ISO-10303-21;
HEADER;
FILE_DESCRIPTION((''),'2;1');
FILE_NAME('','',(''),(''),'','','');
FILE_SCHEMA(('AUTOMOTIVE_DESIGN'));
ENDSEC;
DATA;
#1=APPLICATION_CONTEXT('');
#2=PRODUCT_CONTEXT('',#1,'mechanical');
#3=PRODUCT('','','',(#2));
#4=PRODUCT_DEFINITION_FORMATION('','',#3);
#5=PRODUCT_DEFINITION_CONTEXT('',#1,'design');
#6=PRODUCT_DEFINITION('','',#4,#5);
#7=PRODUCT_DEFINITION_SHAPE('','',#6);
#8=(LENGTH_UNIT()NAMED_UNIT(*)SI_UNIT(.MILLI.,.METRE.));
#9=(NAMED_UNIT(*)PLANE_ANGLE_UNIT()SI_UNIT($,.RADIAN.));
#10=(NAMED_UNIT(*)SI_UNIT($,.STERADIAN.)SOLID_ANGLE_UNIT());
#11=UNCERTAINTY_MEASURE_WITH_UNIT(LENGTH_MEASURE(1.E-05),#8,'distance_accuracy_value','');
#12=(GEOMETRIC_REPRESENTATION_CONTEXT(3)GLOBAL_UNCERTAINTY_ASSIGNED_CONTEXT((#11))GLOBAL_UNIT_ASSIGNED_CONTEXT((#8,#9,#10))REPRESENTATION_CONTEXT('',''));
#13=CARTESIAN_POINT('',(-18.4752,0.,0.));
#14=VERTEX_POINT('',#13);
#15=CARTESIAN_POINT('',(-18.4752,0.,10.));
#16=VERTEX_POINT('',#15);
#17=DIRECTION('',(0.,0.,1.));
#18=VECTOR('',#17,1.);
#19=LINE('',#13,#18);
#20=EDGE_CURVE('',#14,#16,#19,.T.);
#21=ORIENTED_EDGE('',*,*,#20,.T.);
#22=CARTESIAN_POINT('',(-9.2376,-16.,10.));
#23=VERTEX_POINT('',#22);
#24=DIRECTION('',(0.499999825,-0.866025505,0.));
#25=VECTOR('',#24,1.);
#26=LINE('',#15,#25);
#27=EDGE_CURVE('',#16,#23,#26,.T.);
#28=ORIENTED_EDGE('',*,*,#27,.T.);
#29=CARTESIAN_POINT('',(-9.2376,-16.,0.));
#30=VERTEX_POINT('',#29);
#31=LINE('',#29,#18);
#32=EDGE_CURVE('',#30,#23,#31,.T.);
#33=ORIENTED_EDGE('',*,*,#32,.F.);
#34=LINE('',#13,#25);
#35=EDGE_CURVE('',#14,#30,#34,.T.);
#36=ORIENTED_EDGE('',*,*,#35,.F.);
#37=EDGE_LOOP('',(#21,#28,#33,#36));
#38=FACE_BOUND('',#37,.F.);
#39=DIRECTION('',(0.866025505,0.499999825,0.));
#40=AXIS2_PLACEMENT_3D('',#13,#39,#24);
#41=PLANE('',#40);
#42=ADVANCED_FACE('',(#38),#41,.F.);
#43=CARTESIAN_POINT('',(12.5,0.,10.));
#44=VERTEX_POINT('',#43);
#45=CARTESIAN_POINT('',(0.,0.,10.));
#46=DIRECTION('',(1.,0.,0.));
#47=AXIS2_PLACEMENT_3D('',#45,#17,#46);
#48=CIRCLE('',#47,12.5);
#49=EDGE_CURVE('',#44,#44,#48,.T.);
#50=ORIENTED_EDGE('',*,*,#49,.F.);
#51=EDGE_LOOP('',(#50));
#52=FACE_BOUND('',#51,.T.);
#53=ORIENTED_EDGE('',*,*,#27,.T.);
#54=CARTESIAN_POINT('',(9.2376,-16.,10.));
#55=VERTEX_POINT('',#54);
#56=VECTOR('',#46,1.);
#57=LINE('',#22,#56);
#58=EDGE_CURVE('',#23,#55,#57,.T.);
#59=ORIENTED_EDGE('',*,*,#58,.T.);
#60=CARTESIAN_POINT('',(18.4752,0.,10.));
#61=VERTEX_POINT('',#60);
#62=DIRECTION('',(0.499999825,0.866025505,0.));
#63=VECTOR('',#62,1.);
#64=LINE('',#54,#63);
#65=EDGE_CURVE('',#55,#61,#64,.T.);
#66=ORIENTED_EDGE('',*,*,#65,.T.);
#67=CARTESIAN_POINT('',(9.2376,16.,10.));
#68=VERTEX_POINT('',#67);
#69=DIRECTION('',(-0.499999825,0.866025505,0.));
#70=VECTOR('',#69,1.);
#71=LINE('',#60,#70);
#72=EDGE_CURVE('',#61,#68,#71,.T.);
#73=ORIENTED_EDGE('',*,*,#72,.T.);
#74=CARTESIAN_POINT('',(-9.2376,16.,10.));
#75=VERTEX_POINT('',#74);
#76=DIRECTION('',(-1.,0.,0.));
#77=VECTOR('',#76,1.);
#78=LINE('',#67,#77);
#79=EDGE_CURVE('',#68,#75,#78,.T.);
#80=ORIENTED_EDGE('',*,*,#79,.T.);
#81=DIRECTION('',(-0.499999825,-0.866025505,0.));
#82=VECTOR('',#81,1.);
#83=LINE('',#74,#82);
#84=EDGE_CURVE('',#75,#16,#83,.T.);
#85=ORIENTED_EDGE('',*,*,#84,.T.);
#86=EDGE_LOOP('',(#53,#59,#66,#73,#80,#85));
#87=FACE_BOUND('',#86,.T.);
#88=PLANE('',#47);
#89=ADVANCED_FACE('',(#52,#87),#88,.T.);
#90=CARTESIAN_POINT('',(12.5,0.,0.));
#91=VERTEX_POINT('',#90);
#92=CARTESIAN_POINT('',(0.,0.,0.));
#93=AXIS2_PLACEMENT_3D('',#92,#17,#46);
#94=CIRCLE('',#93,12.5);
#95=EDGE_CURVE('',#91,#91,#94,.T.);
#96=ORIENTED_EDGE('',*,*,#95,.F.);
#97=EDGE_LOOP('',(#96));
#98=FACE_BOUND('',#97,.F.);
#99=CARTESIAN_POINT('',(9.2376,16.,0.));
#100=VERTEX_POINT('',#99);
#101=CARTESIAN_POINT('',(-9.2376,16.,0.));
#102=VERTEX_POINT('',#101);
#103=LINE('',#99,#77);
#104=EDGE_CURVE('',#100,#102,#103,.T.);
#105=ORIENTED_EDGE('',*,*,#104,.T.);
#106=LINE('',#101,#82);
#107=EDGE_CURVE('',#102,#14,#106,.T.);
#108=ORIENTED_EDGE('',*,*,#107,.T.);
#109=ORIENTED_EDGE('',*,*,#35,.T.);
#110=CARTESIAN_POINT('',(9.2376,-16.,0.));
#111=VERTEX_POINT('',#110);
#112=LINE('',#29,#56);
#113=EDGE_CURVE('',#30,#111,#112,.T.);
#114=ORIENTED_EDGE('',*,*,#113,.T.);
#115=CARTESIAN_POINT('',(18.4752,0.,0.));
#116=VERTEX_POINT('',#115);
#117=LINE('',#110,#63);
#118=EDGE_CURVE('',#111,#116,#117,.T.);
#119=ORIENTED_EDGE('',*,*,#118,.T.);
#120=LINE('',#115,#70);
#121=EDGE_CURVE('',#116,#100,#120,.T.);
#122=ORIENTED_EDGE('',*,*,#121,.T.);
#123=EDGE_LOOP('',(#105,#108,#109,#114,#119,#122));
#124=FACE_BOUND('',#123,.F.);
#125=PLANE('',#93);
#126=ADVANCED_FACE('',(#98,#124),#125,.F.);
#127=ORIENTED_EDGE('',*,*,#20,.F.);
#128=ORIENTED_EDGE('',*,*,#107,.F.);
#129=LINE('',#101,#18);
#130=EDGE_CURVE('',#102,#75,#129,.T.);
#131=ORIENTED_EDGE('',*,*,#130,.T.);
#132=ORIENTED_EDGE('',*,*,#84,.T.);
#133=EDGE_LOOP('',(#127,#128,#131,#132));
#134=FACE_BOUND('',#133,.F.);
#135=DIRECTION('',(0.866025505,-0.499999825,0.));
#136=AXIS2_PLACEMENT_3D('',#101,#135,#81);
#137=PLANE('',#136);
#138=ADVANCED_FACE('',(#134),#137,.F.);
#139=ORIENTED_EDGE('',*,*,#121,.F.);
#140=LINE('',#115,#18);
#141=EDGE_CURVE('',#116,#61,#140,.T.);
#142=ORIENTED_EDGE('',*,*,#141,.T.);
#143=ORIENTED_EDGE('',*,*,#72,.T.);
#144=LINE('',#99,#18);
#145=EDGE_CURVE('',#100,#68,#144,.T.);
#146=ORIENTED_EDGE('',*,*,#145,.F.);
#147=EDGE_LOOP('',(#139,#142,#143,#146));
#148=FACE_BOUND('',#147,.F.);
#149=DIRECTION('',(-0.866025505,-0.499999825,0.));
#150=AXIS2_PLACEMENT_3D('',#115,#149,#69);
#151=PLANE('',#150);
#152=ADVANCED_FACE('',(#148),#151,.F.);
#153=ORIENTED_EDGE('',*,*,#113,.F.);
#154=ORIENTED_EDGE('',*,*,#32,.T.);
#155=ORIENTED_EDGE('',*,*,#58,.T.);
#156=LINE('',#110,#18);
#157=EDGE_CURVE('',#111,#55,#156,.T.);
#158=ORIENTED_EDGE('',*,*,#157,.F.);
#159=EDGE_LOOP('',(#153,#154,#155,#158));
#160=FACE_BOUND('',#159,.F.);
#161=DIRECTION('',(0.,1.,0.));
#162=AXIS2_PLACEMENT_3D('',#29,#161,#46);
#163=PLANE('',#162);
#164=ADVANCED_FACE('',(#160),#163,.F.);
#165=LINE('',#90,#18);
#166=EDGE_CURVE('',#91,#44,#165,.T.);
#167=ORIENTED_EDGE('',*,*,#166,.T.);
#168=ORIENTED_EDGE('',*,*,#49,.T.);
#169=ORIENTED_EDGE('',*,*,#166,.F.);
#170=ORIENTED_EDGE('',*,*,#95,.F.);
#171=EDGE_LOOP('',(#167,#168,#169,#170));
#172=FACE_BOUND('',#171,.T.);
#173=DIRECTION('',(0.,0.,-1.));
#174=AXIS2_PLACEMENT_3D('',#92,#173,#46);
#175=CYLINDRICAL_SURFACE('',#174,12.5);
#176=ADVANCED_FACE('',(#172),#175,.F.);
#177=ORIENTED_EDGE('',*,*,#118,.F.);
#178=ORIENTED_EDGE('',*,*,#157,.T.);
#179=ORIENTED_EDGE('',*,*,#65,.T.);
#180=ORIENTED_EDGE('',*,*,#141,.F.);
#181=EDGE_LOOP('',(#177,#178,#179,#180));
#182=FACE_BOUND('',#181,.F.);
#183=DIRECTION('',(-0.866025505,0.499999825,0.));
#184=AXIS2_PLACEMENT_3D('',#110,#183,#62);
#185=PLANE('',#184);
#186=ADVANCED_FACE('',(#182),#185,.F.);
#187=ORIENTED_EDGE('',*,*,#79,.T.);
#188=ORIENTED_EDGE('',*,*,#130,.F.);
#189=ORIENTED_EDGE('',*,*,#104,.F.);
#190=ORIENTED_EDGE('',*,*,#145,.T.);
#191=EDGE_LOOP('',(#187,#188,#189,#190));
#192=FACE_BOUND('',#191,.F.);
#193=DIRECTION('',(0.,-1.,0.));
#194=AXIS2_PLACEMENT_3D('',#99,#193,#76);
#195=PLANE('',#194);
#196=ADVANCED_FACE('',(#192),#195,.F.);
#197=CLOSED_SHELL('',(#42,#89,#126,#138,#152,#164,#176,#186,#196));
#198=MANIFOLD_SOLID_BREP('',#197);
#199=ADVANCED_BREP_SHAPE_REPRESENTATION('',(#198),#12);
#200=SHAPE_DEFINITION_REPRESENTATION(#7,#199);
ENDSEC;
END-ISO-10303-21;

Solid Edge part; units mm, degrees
sketch "Sketch1" plane through (0, 0, 0) normal (0, 0, 1) x (1, 0, 0)
  circle A0 centre (0, 0) radius 12.5
  line L0 (-9.2376, 16) -> (-18.4752, 0)
  line L1 (-18.4752, 0) -> (-9.2376, -16)
  line L2 (-9.2376, -16) -> (9.2376, -16)
  line L3 (9.2376, -16) -> (18.4752, 0)
  line L4 (18.4752, 0) -> (9.2376, 16)
  line L5 (9.2376, 16) -> (-9.2376, 16)
extrude "Protrusion1" add sketch "Sketch1" along normal blind 10
